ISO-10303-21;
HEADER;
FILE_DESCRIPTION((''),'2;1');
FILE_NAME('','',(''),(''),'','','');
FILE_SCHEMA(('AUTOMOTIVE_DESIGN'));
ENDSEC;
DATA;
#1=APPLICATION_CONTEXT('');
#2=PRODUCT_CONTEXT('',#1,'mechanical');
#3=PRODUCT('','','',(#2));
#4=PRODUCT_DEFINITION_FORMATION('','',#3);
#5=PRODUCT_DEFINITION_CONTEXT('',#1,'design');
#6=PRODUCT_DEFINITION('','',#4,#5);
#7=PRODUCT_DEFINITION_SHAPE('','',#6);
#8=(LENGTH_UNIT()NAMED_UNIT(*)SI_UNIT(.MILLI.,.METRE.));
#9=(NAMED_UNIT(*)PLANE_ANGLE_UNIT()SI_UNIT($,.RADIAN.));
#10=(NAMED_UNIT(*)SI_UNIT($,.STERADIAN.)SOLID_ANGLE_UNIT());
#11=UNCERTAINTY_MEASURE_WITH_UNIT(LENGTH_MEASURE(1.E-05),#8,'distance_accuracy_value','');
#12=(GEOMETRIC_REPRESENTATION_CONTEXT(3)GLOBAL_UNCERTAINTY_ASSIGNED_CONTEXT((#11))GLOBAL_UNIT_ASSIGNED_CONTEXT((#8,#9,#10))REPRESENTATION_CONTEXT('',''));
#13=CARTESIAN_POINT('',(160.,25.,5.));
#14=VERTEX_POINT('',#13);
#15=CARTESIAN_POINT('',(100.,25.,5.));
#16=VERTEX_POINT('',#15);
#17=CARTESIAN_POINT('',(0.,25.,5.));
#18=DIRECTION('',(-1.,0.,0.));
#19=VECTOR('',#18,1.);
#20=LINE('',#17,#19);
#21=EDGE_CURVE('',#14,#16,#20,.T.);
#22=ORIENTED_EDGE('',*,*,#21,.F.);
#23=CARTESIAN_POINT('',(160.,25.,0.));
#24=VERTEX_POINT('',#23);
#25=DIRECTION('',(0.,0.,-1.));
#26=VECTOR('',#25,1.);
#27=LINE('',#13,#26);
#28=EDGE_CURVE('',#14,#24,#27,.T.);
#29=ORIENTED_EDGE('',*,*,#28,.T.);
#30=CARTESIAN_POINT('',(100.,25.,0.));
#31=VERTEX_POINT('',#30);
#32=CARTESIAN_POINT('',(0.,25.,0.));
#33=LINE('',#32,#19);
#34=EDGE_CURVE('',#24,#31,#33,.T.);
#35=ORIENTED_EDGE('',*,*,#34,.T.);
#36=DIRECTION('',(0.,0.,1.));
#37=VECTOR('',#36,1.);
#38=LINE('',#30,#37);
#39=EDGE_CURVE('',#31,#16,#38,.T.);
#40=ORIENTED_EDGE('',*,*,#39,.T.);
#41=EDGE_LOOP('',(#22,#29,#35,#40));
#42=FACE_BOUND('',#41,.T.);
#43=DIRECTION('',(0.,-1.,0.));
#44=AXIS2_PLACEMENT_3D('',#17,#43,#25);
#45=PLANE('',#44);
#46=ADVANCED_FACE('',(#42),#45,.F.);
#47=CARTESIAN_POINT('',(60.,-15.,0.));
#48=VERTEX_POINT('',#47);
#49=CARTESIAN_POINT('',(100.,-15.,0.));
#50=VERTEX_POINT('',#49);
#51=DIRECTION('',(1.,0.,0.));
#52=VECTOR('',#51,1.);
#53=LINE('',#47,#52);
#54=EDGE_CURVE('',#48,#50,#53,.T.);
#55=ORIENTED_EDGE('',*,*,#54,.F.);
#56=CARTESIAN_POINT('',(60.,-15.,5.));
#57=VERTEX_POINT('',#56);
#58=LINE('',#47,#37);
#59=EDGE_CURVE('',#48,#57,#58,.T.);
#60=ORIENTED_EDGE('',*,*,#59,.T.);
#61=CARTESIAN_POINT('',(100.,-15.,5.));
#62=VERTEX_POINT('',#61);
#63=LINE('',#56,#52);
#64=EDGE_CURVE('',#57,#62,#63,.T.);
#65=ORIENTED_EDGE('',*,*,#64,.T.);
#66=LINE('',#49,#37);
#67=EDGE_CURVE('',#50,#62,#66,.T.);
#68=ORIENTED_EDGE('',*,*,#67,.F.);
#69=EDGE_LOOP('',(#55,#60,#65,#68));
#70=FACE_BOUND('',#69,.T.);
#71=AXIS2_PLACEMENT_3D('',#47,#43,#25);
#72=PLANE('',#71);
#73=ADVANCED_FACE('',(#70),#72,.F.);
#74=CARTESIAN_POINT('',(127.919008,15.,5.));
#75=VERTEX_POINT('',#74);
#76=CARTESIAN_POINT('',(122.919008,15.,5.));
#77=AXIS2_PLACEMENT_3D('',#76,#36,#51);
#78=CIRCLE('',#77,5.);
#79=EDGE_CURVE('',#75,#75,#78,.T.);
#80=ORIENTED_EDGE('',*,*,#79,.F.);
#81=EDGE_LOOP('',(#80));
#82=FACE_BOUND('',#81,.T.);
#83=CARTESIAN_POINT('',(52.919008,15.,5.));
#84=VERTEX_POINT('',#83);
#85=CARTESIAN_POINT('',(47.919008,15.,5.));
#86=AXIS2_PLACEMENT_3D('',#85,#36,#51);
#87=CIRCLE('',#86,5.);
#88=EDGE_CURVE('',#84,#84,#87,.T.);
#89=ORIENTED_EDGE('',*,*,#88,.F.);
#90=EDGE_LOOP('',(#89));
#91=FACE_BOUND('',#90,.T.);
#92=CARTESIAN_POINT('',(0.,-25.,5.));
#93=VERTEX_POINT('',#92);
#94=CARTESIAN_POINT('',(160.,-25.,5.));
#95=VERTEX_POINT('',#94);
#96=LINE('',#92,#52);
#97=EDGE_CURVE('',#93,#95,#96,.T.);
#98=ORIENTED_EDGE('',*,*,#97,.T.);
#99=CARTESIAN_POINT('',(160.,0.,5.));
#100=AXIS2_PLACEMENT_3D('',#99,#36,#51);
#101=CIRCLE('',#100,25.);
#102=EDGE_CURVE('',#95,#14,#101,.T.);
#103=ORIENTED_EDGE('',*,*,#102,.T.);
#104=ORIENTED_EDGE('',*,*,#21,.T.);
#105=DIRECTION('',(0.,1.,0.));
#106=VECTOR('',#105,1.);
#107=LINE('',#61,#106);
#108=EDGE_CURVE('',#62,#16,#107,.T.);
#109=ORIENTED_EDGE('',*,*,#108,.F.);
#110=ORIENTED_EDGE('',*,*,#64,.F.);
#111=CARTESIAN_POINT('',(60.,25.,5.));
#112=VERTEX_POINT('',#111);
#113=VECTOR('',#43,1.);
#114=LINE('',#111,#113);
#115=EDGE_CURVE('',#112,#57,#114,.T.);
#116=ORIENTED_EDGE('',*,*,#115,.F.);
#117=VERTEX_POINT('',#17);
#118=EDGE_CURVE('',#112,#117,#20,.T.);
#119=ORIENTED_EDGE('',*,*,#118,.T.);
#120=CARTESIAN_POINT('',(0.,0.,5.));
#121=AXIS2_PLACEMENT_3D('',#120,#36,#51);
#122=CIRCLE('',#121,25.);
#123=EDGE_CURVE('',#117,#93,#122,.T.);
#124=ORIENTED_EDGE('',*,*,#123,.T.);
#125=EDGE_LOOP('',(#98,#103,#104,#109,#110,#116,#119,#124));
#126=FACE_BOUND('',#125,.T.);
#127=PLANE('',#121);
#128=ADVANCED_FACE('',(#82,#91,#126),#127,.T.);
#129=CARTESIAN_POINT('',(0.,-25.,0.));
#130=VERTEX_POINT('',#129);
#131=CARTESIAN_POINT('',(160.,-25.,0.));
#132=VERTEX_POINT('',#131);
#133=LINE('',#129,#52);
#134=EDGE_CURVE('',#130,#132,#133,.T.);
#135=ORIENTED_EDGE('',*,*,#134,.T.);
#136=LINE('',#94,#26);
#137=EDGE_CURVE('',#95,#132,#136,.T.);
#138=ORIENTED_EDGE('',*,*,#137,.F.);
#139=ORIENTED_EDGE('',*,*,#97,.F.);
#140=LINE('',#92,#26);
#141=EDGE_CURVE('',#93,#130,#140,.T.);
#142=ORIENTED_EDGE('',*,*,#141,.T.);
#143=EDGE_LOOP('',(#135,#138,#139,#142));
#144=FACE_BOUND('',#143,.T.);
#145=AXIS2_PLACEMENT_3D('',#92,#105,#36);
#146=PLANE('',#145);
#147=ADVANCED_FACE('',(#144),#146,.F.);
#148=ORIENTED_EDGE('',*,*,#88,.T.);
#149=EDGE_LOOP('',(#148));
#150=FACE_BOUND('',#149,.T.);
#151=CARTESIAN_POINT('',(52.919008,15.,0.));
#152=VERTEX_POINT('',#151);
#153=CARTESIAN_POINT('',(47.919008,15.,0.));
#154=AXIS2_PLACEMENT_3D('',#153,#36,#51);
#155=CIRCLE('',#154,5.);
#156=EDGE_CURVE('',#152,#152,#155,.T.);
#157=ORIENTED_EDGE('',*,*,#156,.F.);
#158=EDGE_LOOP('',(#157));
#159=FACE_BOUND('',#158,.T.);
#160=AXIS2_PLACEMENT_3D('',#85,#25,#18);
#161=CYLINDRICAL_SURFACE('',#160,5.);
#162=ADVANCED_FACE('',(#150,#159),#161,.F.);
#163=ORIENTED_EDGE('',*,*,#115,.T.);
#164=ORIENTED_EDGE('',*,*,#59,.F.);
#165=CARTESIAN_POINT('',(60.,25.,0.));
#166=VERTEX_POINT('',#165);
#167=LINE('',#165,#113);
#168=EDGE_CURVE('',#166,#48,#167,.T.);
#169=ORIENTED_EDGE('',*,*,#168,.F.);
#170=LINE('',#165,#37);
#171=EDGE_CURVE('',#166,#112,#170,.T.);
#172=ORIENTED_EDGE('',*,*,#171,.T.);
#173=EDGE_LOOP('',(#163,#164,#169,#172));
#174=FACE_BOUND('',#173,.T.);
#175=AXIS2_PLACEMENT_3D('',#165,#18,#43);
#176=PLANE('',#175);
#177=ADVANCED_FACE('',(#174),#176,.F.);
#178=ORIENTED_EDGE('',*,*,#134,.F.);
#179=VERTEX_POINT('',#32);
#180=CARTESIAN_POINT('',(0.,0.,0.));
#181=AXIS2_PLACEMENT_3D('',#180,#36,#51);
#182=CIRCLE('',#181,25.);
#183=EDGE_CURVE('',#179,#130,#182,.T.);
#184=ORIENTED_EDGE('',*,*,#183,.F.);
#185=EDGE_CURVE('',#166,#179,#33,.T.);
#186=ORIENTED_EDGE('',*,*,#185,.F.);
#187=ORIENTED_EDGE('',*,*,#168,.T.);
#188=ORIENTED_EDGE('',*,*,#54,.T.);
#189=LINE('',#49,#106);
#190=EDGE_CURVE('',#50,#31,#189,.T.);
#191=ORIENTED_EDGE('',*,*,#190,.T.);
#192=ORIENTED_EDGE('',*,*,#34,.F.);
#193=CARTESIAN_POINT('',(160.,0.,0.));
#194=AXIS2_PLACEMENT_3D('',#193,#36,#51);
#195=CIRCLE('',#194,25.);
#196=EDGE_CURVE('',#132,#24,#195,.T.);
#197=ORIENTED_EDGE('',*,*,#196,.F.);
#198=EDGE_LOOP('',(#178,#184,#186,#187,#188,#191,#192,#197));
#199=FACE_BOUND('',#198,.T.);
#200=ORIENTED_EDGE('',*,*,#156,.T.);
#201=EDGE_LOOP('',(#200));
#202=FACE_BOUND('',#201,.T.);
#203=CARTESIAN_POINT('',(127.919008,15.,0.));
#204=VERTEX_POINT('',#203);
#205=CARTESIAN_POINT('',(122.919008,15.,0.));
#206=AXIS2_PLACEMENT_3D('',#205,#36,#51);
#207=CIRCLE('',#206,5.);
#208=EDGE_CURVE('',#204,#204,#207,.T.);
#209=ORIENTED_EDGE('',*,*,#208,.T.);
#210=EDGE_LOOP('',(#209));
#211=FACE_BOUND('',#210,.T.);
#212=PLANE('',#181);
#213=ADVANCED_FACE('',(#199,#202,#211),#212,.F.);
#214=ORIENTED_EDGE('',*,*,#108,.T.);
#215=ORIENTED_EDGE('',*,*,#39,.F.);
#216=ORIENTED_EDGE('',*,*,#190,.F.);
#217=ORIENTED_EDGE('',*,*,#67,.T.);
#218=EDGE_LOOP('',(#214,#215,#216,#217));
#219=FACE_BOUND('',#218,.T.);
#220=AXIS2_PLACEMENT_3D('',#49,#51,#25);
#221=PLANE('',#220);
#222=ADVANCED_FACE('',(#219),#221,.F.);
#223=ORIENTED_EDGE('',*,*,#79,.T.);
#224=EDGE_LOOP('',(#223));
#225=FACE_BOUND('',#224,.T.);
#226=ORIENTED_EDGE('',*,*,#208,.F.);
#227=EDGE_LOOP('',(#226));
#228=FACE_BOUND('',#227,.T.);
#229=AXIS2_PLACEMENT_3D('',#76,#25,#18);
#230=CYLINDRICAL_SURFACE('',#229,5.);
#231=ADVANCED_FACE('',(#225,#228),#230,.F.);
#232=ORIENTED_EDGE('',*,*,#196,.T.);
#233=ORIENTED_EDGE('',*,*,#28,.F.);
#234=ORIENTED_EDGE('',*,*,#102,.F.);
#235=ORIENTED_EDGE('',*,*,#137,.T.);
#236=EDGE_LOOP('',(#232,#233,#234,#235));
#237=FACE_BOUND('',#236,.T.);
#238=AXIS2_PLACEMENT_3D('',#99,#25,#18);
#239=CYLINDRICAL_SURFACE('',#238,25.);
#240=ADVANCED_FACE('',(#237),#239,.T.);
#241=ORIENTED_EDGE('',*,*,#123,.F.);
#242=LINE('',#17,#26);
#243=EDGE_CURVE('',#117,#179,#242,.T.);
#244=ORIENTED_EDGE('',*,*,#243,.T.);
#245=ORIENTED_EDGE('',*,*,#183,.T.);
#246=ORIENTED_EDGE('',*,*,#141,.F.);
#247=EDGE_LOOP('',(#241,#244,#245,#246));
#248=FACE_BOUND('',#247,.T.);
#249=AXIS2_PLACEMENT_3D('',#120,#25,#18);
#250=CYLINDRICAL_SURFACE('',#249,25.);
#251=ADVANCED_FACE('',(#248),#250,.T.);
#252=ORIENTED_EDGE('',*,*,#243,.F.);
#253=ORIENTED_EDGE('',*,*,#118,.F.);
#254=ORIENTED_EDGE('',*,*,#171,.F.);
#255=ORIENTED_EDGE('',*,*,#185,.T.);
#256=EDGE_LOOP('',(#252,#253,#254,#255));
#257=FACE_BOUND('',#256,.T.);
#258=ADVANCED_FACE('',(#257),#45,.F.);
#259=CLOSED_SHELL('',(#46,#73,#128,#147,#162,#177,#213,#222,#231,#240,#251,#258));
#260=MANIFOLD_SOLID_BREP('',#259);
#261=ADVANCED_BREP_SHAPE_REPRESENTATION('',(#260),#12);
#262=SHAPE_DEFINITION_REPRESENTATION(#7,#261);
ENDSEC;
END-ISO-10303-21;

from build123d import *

# Parameters (mm, degrees)
ESQUISSE1_R             = 5
BOSS_EXTRU_1_DEPTH      = 5
ESQUISSE2_W             = 40
ESQUISSE2_H             = 40
ENL_V_MAT_EXTRU_1_DEPTH = 5


with BuildPart() as part:
    # Esquisse1 → Boss.-Extru.1 (new body)
    with BuildSketch(Plane.XY):
        with BuildLine():
            Line((0, 25), (160, 25))
            ThreePointArc((160, 25), (185, 0), (160, -25))
            Line((160, -25), (0, -25))
            ThreePointArc((0, -25), (-25, 0), (0, 25))
        make_face()
        with Locations((122.919007565, 15)):
            Circle(ESQUISSE1_R, mode=Mode.SUBTRACT)
        with Locations((47.919007565, 15)):
            Circle(ESQUISSE1_R, mode=Mode.SUBTRACT)
    extrude(amount=BOSS_EXTRU_1_DEPTH)

    # Esquisse2 → Enlèv. mat.-Extru.1 (cut)
    with BuildSketch(Plane.XY.offset(5)):
        with Locations((80, 5)):
            Rectangle(ESQUISSE2_W, ESQUISSE2_H)
    extrude(amount=-ENL_V_MAT_EXTRU_1_DEPTH, mode=Mode.SUBTRACT)


solid = part.part
